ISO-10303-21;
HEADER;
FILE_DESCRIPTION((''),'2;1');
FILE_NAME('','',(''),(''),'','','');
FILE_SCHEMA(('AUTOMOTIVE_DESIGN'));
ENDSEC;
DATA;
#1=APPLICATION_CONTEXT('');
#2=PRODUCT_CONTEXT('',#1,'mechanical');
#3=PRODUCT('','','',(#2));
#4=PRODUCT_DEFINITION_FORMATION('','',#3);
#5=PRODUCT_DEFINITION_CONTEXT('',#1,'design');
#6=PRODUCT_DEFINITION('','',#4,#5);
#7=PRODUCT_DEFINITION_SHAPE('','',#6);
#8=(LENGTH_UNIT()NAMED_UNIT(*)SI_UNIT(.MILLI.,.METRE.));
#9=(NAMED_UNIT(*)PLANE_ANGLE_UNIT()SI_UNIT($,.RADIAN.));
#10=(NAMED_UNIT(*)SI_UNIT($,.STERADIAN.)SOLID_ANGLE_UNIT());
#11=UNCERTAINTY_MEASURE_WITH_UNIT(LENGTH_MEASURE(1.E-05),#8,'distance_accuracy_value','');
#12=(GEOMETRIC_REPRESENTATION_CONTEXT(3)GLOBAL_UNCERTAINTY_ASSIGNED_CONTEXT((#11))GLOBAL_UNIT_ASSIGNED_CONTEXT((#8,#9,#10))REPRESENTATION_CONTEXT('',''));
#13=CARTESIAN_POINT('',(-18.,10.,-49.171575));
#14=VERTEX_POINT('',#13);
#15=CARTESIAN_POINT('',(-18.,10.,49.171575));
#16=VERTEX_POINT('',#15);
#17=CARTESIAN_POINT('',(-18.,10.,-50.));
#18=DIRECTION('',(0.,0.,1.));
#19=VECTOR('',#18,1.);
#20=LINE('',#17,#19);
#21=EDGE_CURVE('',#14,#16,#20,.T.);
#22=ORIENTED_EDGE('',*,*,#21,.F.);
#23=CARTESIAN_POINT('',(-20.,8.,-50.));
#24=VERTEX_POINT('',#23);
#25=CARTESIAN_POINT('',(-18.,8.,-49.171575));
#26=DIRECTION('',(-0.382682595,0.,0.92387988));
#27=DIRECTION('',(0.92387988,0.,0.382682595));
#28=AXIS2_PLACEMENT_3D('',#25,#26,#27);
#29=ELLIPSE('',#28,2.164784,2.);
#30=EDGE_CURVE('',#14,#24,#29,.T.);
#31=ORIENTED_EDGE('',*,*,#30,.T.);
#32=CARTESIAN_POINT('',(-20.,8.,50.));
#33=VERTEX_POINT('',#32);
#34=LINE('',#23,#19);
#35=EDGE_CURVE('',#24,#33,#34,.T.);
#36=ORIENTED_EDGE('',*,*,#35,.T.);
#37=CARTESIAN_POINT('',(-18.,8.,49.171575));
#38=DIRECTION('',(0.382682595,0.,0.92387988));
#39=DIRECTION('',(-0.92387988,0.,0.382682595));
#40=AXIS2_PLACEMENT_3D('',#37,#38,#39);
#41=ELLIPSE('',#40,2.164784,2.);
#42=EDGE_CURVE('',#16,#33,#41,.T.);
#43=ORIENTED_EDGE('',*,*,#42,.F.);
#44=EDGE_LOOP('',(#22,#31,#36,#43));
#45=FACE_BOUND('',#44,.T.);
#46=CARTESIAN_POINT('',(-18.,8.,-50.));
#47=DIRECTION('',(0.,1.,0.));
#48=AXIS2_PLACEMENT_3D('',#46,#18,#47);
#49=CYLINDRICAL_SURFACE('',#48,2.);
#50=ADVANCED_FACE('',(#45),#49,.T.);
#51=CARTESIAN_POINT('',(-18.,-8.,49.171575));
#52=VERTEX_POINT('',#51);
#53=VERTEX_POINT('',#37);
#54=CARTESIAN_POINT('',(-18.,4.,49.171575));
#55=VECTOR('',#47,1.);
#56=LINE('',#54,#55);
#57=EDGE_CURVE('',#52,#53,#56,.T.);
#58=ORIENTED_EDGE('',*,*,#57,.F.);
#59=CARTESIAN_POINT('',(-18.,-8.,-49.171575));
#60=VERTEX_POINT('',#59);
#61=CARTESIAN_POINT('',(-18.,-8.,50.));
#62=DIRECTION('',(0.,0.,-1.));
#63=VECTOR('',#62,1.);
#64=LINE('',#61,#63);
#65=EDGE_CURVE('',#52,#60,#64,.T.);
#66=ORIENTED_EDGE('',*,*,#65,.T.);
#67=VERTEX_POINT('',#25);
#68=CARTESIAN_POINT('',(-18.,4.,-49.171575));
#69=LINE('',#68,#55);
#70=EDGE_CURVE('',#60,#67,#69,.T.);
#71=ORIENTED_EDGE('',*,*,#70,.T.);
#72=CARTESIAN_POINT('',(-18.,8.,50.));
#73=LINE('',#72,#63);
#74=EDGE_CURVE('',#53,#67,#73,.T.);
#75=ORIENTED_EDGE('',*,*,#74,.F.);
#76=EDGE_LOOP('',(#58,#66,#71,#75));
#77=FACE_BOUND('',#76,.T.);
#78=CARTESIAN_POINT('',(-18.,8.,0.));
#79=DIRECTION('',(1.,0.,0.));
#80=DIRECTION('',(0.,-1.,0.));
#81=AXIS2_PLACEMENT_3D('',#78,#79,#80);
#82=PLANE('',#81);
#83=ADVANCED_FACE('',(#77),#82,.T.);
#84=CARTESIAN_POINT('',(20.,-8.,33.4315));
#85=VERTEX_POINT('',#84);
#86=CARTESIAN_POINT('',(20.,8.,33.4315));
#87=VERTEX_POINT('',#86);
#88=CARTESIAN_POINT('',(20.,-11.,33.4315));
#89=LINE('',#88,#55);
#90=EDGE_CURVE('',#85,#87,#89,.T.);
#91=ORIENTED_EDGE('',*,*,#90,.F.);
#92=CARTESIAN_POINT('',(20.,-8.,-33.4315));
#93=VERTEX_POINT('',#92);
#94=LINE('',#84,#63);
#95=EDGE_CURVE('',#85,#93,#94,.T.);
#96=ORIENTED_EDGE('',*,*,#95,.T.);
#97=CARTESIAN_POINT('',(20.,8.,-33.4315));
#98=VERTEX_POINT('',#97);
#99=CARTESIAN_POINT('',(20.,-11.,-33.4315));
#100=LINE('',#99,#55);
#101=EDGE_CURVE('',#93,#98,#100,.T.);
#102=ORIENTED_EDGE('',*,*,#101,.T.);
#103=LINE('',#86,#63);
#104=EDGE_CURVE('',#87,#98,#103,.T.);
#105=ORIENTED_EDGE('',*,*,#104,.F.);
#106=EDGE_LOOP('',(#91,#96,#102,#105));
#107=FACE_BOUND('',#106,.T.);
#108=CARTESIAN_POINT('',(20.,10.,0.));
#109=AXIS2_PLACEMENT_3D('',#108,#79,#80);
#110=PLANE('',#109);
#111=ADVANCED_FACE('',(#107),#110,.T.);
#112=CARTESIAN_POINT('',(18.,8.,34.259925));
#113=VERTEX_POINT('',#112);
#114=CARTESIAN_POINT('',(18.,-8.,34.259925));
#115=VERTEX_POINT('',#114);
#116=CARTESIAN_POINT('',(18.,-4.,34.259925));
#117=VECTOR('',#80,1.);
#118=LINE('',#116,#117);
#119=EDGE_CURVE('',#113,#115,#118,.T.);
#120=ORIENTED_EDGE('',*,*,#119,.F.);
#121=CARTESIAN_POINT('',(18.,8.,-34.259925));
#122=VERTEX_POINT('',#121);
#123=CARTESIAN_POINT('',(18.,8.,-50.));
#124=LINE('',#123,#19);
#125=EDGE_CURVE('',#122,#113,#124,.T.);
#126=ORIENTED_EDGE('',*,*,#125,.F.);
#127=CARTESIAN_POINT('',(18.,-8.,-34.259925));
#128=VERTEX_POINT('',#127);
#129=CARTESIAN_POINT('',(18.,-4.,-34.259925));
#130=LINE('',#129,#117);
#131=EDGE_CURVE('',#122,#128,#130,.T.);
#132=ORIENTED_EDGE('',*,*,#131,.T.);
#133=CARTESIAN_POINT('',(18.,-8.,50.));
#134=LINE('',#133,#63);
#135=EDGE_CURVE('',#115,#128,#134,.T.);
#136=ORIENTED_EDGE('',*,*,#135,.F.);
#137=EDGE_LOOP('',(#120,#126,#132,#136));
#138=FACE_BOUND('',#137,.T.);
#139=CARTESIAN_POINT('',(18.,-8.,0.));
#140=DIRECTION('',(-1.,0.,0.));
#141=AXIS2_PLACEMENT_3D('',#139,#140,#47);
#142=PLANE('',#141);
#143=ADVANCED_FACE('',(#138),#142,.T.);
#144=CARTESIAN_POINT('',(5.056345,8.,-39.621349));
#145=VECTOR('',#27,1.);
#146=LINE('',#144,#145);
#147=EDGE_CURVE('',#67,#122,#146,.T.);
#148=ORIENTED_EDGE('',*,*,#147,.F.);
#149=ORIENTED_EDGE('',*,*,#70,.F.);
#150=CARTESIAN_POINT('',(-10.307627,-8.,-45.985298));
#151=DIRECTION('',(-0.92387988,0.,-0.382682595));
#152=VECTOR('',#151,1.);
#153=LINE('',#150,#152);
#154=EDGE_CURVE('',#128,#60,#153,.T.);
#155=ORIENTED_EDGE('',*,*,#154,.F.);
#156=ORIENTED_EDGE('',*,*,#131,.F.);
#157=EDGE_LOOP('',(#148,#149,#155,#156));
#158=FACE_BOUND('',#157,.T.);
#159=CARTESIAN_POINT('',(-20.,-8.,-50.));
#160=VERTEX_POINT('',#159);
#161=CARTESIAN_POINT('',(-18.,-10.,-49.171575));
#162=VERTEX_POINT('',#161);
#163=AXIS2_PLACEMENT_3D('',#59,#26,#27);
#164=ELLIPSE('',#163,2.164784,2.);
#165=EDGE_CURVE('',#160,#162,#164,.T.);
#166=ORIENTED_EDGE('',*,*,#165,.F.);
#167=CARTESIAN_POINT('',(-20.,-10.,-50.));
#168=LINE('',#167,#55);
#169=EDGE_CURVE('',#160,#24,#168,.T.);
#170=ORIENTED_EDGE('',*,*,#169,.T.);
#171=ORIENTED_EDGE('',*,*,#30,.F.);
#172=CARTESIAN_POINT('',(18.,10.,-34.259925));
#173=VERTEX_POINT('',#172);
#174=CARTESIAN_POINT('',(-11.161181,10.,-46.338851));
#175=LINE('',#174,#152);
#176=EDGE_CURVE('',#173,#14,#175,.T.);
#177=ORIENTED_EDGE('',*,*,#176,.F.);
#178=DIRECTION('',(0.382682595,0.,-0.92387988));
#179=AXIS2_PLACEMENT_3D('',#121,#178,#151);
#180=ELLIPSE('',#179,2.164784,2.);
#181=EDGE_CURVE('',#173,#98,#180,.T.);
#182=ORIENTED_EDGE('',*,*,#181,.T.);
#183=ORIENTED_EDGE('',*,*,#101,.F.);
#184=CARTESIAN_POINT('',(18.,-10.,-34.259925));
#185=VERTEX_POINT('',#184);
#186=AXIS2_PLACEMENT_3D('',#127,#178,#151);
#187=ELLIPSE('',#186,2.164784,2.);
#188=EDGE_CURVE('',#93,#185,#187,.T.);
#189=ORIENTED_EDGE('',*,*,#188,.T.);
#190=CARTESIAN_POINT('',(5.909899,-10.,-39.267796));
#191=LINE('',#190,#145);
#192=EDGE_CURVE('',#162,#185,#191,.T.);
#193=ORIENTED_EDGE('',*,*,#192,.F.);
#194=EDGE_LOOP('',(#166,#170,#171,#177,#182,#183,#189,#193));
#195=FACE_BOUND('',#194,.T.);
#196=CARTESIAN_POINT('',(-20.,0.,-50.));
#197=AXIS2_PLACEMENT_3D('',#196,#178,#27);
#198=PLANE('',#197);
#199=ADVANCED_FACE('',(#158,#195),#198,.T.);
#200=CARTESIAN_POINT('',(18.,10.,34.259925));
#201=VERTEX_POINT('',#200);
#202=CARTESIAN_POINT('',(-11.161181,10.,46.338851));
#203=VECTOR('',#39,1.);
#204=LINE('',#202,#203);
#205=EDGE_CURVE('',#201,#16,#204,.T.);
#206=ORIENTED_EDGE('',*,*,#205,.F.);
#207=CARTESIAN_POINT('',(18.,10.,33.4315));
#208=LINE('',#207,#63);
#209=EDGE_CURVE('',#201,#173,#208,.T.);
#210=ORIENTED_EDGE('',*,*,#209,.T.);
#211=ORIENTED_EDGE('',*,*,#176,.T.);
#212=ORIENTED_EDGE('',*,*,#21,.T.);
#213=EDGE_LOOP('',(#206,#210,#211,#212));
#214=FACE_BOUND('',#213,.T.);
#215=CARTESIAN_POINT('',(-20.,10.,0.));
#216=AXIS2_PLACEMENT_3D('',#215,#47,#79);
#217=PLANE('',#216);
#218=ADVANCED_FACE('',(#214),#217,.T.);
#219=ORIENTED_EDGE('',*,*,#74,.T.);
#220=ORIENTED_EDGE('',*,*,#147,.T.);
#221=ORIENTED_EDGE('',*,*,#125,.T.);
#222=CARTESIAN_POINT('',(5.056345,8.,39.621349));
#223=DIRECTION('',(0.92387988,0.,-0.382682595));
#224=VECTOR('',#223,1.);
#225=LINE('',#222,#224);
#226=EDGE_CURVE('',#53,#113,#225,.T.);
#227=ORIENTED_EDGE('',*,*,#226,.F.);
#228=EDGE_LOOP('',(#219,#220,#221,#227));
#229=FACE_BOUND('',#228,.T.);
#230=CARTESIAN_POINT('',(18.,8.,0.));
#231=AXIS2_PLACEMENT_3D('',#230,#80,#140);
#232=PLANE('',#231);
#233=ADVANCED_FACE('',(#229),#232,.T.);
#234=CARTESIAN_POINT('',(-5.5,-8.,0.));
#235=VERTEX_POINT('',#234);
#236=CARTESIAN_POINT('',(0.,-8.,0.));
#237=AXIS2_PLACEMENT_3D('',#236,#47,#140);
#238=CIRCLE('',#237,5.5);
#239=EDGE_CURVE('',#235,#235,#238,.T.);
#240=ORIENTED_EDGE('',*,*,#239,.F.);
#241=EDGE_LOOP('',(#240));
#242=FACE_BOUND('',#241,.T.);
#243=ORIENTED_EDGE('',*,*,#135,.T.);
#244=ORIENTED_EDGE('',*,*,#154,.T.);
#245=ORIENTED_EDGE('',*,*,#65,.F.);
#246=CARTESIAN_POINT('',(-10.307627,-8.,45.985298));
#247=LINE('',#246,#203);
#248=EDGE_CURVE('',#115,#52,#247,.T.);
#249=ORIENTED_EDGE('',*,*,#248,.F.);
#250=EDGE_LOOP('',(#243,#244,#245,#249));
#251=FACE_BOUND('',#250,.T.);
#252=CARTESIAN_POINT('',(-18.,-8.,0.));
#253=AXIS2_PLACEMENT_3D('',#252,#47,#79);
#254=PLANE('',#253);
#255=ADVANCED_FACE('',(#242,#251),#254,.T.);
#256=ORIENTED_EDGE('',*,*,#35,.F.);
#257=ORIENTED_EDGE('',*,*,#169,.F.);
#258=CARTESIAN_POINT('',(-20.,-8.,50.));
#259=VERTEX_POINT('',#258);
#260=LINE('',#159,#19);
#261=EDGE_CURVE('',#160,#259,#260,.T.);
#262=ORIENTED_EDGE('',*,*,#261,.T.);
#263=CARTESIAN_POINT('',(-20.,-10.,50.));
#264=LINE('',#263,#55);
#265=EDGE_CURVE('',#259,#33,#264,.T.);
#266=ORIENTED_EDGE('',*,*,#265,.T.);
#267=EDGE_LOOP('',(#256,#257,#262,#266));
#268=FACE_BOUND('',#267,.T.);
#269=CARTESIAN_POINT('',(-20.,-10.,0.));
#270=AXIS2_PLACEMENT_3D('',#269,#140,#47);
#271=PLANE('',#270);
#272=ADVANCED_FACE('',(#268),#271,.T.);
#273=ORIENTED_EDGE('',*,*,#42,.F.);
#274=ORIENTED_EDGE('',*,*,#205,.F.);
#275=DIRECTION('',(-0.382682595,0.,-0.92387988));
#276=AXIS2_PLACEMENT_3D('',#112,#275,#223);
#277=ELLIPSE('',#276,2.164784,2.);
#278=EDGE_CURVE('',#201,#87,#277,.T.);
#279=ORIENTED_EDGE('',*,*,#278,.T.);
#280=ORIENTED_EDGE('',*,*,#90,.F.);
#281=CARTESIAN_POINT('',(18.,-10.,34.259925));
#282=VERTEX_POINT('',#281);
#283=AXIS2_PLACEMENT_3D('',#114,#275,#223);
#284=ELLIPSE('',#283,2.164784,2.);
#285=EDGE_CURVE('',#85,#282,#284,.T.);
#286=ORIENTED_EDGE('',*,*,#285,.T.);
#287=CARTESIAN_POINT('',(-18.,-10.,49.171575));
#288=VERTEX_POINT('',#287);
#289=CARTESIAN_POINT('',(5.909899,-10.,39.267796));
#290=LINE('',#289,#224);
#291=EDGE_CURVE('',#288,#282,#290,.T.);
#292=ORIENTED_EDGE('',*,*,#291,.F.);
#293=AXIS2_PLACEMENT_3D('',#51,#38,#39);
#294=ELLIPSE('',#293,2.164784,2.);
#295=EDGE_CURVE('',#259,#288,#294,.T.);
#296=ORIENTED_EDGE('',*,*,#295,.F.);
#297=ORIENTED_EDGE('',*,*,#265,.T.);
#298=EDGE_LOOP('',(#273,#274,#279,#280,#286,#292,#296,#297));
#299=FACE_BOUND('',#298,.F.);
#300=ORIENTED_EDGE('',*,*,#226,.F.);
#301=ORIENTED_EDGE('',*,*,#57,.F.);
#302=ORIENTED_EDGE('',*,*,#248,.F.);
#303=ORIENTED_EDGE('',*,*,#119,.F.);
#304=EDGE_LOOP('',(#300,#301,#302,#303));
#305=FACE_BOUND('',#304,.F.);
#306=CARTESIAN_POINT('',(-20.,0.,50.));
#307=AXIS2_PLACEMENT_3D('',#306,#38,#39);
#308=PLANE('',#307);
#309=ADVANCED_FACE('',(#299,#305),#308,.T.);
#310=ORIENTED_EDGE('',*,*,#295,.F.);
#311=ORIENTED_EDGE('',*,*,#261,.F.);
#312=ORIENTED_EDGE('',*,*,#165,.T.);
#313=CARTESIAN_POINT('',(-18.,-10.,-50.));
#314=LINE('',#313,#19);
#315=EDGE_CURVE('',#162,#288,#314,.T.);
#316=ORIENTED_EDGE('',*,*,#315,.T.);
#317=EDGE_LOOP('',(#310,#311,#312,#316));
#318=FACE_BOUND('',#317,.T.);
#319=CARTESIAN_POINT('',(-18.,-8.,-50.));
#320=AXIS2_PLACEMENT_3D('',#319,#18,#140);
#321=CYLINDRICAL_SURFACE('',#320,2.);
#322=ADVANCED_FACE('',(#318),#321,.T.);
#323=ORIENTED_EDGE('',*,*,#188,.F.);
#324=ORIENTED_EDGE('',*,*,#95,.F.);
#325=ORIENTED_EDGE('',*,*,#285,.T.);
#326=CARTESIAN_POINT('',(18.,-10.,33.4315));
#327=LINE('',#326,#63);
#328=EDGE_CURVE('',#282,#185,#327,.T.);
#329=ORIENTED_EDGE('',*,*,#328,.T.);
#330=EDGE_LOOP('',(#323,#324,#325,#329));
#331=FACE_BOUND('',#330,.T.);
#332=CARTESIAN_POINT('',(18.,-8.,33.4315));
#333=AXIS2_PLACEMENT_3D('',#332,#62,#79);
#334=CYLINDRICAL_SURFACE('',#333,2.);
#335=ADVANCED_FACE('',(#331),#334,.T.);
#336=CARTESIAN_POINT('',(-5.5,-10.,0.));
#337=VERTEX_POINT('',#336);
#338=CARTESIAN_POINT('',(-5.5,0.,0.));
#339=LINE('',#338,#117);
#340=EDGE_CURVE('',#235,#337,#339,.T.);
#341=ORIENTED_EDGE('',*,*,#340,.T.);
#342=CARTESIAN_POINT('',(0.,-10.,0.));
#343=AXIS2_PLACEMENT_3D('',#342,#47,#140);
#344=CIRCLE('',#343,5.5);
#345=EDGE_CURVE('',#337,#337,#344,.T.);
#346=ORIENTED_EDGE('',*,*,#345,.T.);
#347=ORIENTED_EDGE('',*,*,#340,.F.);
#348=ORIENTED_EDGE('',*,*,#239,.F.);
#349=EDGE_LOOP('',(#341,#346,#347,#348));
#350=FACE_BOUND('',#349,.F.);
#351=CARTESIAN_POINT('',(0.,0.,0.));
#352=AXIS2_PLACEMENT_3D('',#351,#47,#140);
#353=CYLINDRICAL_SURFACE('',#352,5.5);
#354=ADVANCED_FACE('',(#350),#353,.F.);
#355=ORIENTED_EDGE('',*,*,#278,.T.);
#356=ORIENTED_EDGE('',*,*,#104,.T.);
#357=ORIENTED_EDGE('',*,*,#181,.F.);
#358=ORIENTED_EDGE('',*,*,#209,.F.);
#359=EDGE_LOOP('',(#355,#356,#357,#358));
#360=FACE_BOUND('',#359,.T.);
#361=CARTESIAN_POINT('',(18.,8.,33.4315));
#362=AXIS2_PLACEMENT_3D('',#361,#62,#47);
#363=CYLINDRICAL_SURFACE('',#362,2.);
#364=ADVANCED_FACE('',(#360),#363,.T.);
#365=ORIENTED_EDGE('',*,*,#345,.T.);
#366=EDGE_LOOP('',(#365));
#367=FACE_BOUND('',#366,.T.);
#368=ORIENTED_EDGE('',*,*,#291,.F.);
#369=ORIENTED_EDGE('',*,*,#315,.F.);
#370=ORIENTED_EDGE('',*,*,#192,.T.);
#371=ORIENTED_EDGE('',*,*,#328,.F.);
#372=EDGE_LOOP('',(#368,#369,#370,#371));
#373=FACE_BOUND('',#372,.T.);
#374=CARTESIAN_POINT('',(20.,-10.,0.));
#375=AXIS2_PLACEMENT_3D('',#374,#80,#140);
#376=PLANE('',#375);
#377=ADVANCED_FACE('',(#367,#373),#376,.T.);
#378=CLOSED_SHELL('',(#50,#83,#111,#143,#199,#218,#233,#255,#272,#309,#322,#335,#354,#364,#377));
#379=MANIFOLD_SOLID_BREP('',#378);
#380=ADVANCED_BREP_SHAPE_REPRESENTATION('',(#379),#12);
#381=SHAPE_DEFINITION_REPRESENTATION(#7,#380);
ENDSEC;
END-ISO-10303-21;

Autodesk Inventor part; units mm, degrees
ref_plane "YZ Plane" through (0, 0, 0) normal (1, 0, 0) x (0, 1, 0)
ref_plane "XZ Plane" through (0, 0, 0) normal (0, 1, 0) x (-1, 0, 0)
ref_plane "XY Plane" through (0, 0, 0) normal (0, 0, 1) x (1, 0, 0)
sketch "Sketch1" plane through (0, 0, 0) normal (0, 0, 1) x (1, 0, 0)
  line L0 (-20, 10) -> (20, 10)
  line L1 (20, 10) -> (20, -10)
  line L2 (20, -10) -> (-20, -10)
  line L3 (-20, -10) -> (-20, 10)
  line L4 (-20, 10) -> (20, -10) construction
  line L5 (20, 10) -> (-20, -10) construction
  line L6 (18, 8) -> (-18, 8)
  line L7 (-18, 8) -> (-18, -8)
  line L8 (-18, -8) -> (18, -8)
  line L9 (18, -8) -> (18, 8)
  point P0 (0, 0)
  dimension "d0" = 40
  dimension "d1" = 20
  dimension "d2" = 2
extrude "Extrusion1" add sketch "Sketch1" along normal mid plane 100
sketch "Sketch2" plane through (0, 0, 0) normal (0, 1, 0) x (-1, 0, 0)
  line L0 (20, -50) -> (20, 50) projected
  line L1 (-20, 50) -> (20, 50)
  line L2 (-20, -50) -> (-20, 50) projected
  line L3 (20, -50) -> (-20, -50) projected
  line L4 (20, -50) -> (-20, -33.4315)
  line L5 (-20, -50) -> (-20, 50) projected
  point P0 (0, 0)
  dimension "d20" = 22.5
extrude "Extrusion2" cut sketch "Sketch2" along normal through all both and the other way through all contours L3 L2 L4
mirror "Mirror1" about plane through (0, 0, 0) normal (0, 0, 1) of "Extrusion2"
fillet "Fillet1" radius 2 4 edges at (-20, 10, 0) (-20, -10, 0) (20, -10, 0) (20, 10, 0)
sketch "Sketch4" plane through (0, 0, 0) normal (0, 1, 0) x (-1, 0, 0)
  circle A0 centre (0, 0) radius 5.5
  dimension "d21" = 11
extrude "Extrusion4" cut sketch "Sketch4" against normal through all
properties part number "Short tube 2"
